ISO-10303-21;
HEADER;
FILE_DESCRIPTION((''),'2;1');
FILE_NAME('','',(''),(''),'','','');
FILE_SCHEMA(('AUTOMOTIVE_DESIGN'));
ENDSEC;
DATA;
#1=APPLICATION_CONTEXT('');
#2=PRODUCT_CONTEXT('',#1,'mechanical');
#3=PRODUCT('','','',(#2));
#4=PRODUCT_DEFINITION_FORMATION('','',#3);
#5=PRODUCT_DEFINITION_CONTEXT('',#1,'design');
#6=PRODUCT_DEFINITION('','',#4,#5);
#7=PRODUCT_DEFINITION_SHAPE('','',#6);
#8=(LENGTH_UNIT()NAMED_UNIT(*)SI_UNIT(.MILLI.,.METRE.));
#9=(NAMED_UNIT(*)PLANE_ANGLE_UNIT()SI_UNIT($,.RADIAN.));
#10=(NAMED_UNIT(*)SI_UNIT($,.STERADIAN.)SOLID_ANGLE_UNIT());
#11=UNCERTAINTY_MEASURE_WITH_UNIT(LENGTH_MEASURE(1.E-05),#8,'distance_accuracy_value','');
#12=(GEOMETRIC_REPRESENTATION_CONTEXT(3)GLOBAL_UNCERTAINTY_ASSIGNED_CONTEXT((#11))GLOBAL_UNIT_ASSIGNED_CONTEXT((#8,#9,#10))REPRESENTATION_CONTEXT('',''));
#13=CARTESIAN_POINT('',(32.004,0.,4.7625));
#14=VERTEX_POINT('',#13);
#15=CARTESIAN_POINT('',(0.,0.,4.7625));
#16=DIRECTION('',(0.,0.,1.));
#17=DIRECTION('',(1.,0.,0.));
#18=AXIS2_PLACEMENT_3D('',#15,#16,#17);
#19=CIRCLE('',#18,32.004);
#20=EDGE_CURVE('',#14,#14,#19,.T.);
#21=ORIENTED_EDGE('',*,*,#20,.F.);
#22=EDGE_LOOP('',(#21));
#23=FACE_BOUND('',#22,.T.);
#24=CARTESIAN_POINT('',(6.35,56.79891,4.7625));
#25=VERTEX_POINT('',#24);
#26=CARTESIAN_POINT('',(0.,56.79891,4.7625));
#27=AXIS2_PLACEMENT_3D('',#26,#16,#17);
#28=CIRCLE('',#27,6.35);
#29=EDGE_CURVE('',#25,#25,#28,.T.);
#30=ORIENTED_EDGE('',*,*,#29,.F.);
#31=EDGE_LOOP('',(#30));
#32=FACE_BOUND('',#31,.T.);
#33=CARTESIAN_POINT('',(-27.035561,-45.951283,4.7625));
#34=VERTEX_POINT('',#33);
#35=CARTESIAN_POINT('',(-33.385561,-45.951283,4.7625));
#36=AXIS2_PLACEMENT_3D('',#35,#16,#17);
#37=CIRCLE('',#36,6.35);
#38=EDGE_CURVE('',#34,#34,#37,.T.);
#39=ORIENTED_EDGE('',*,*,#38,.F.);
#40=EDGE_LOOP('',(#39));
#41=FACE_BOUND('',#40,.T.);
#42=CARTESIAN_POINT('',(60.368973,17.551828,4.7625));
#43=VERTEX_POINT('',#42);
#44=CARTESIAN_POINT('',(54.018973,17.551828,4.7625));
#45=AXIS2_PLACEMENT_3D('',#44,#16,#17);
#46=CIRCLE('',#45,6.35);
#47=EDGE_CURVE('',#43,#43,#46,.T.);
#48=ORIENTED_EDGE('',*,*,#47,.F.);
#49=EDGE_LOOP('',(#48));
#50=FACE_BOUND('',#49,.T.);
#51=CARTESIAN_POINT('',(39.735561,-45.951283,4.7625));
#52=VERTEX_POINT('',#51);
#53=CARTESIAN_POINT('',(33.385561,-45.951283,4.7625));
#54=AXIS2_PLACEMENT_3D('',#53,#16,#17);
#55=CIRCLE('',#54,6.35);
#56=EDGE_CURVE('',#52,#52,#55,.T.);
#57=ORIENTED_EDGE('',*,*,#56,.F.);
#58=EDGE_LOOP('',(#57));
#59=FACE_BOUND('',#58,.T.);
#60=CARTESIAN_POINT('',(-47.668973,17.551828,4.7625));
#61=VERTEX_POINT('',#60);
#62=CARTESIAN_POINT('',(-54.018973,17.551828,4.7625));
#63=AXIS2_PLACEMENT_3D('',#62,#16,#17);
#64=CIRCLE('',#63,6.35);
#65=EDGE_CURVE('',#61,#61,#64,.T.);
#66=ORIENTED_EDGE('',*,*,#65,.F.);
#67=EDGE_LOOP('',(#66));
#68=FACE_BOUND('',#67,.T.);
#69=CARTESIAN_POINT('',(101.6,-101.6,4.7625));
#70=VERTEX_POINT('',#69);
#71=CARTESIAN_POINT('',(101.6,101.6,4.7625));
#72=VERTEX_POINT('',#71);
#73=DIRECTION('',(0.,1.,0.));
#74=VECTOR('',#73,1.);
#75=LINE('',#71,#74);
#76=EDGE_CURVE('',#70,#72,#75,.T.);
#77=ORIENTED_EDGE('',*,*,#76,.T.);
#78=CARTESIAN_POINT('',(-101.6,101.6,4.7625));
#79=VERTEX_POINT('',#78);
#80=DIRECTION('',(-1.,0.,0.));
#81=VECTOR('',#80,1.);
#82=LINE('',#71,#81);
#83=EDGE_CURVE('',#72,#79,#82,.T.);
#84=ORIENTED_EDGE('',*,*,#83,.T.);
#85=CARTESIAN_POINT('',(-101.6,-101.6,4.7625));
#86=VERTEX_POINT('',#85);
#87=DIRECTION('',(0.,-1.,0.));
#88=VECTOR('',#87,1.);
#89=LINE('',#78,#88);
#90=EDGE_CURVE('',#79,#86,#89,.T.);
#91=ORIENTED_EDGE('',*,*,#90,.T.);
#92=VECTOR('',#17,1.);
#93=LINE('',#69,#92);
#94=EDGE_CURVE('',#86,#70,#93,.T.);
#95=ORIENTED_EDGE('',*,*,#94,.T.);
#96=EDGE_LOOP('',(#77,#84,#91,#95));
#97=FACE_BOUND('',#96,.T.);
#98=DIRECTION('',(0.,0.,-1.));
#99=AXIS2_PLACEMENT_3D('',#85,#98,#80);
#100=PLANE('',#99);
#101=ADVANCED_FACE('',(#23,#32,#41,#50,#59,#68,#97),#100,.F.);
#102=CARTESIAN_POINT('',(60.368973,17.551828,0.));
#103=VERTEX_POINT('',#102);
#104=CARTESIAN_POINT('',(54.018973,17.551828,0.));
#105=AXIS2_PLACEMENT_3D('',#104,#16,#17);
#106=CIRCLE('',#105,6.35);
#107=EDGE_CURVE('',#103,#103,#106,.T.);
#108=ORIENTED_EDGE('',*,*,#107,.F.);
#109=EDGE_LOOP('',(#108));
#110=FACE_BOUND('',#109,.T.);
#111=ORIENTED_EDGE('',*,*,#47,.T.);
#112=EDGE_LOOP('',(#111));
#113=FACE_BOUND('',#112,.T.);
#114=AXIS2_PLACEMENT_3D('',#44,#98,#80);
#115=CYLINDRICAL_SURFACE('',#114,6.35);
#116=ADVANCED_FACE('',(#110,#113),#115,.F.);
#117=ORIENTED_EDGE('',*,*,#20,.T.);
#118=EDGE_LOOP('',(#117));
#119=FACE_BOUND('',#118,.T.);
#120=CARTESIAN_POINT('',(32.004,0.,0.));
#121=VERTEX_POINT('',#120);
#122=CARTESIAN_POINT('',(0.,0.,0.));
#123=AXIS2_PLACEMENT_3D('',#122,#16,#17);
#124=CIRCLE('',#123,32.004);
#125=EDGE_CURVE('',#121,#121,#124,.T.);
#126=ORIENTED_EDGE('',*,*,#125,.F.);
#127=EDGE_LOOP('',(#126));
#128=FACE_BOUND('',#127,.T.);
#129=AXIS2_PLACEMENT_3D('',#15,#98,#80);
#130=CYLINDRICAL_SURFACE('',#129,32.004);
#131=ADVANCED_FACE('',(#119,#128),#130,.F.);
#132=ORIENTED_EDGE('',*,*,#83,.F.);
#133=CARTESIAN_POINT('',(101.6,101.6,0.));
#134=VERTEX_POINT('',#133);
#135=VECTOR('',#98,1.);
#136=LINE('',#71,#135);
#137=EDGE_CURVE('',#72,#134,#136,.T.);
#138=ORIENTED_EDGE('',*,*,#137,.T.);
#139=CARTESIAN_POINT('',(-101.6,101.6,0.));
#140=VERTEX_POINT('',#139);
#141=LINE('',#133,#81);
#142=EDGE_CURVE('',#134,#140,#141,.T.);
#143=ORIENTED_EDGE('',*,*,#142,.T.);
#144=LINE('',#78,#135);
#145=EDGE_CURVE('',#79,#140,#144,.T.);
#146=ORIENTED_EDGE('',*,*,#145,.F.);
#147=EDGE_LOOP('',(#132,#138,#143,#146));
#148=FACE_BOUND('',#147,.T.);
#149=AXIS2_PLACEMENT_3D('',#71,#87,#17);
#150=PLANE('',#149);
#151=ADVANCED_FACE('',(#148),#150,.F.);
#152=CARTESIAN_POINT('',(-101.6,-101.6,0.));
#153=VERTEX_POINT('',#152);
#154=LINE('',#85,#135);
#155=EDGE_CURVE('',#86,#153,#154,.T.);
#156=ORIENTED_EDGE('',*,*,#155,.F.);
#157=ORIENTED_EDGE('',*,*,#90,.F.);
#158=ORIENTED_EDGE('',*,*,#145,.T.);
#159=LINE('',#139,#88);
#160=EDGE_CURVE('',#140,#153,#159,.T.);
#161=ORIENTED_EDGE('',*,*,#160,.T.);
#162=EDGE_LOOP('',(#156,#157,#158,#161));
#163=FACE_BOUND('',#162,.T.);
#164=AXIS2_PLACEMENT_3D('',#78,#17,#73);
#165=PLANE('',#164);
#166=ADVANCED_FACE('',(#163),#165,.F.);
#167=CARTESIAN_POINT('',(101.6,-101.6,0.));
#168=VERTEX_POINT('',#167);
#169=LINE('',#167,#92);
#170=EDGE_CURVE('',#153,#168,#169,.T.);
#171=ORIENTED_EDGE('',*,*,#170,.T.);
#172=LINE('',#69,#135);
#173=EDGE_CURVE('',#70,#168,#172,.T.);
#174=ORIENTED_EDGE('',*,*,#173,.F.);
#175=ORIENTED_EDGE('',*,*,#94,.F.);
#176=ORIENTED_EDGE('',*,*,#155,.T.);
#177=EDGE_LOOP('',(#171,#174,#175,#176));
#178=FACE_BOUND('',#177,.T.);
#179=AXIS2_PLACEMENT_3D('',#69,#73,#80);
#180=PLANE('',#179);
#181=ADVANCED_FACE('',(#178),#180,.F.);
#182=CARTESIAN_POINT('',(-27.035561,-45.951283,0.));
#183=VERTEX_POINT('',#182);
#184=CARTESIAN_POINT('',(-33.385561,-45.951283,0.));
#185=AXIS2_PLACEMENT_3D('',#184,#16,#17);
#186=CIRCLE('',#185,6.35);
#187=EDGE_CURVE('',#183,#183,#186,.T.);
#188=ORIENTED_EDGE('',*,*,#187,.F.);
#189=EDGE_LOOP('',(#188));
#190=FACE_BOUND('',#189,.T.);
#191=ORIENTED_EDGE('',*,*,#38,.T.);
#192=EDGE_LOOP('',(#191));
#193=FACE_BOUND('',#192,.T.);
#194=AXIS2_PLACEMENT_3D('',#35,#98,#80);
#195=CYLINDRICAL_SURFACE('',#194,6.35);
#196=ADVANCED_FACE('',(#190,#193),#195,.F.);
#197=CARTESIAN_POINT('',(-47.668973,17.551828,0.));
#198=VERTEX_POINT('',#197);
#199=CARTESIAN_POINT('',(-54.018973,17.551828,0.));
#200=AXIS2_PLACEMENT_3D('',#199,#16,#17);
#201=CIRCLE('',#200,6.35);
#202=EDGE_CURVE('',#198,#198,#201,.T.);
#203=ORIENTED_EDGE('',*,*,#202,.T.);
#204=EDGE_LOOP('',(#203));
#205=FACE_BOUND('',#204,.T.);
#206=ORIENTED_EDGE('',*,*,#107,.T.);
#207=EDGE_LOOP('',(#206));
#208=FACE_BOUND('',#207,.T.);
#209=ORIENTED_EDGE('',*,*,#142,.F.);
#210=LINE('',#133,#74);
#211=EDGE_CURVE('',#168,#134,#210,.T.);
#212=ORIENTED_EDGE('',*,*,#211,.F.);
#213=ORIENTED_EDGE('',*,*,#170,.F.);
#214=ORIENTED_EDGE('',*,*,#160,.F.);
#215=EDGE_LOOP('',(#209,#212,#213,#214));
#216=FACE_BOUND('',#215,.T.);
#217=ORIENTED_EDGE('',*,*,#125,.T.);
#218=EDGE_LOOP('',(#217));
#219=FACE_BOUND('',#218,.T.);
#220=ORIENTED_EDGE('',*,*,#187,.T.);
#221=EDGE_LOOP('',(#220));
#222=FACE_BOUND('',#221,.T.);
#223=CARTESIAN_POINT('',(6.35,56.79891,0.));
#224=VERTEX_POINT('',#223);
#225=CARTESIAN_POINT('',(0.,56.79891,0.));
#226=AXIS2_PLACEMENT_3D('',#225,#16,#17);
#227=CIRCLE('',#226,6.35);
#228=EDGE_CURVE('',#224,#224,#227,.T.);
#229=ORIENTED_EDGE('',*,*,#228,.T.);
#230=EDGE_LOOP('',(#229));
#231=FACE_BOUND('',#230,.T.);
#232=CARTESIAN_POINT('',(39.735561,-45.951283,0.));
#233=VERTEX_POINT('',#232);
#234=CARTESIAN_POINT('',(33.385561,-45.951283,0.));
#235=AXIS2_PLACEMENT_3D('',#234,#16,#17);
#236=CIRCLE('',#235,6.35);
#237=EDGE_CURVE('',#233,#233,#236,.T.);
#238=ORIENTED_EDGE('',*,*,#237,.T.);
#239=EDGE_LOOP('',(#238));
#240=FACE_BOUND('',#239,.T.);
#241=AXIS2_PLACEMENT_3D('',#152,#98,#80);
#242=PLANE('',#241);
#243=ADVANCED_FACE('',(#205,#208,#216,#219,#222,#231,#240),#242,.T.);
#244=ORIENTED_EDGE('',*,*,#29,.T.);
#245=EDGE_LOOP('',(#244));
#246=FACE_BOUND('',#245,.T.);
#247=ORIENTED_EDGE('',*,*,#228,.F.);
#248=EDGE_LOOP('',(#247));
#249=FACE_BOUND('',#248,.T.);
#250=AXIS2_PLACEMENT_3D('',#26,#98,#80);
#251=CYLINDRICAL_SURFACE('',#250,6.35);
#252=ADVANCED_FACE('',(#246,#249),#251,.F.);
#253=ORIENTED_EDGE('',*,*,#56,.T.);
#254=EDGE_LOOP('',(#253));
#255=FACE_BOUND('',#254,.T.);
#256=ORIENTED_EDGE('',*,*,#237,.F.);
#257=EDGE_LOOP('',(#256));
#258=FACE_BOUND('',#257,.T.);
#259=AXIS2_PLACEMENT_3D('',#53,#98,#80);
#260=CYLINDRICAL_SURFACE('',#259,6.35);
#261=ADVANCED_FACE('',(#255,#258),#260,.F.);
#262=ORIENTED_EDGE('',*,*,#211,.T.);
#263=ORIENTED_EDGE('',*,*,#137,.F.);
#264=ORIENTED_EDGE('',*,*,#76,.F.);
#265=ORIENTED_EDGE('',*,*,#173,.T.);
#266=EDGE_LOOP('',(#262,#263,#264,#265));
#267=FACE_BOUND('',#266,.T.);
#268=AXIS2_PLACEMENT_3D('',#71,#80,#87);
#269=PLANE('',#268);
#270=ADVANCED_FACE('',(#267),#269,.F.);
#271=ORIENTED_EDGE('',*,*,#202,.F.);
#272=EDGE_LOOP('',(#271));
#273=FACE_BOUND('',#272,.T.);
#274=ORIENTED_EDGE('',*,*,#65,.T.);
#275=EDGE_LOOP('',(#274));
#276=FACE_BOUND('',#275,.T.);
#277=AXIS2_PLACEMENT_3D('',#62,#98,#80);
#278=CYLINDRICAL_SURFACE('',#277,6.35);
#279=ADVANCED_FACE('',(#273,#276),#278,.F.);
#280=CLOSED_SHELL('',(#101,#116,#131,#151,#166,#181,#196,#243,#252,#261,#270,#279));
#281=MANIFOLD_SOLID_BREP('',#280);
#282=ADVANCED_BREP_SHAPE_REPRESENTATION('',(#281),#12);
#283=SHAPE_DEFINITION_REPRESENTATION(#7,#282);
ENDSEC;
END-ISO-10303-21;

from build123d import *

# Parameters (mm, degrees)
SKETCH4_W           = 203.2
SKETCH4_H           = 203.2
SKETCH4_R           = 6.35
SKETCH4_R_2         = 32.004
BOSS_EXTRUDE1_DEPTH = 4.7625


with BuildPart() as part:
    # Sketch4 → Boss-Extrude1 (new body)
    with BuildSketch(Plane.XY):
        Rectangle(SKETCH4_W, SKETCH4_H)
        with Locations((-54.018973032, 17.551828308)):
            Circle(SKETCH4_R, mode=Mode.SUBTRACT)
        with Locations((0, 56.798909535)):
            Circle(SKETCH4_R, mode=Mode.SUBTRACT)
        with Locations((-33.385561371, -45.951283076)):
            Circle(SKETCH4_R, mode=Mode.SUBTRACT)
        with Locations((33.385561371, -45.951283076)):
            Circle(SKETCH4_R, mode=Mode.SUBTRACT)
        with Locations((54.018973032, 17.551828308)):
            Circle(SKETCH4_R, mode=Mode.SUBTRACT)
        Circle(SKETCH4_R_2, mode=Mode.SUBTRACT)
    extrude(amount=BOSS_EXTRUDE1_DEPTH)


solid = part.part
